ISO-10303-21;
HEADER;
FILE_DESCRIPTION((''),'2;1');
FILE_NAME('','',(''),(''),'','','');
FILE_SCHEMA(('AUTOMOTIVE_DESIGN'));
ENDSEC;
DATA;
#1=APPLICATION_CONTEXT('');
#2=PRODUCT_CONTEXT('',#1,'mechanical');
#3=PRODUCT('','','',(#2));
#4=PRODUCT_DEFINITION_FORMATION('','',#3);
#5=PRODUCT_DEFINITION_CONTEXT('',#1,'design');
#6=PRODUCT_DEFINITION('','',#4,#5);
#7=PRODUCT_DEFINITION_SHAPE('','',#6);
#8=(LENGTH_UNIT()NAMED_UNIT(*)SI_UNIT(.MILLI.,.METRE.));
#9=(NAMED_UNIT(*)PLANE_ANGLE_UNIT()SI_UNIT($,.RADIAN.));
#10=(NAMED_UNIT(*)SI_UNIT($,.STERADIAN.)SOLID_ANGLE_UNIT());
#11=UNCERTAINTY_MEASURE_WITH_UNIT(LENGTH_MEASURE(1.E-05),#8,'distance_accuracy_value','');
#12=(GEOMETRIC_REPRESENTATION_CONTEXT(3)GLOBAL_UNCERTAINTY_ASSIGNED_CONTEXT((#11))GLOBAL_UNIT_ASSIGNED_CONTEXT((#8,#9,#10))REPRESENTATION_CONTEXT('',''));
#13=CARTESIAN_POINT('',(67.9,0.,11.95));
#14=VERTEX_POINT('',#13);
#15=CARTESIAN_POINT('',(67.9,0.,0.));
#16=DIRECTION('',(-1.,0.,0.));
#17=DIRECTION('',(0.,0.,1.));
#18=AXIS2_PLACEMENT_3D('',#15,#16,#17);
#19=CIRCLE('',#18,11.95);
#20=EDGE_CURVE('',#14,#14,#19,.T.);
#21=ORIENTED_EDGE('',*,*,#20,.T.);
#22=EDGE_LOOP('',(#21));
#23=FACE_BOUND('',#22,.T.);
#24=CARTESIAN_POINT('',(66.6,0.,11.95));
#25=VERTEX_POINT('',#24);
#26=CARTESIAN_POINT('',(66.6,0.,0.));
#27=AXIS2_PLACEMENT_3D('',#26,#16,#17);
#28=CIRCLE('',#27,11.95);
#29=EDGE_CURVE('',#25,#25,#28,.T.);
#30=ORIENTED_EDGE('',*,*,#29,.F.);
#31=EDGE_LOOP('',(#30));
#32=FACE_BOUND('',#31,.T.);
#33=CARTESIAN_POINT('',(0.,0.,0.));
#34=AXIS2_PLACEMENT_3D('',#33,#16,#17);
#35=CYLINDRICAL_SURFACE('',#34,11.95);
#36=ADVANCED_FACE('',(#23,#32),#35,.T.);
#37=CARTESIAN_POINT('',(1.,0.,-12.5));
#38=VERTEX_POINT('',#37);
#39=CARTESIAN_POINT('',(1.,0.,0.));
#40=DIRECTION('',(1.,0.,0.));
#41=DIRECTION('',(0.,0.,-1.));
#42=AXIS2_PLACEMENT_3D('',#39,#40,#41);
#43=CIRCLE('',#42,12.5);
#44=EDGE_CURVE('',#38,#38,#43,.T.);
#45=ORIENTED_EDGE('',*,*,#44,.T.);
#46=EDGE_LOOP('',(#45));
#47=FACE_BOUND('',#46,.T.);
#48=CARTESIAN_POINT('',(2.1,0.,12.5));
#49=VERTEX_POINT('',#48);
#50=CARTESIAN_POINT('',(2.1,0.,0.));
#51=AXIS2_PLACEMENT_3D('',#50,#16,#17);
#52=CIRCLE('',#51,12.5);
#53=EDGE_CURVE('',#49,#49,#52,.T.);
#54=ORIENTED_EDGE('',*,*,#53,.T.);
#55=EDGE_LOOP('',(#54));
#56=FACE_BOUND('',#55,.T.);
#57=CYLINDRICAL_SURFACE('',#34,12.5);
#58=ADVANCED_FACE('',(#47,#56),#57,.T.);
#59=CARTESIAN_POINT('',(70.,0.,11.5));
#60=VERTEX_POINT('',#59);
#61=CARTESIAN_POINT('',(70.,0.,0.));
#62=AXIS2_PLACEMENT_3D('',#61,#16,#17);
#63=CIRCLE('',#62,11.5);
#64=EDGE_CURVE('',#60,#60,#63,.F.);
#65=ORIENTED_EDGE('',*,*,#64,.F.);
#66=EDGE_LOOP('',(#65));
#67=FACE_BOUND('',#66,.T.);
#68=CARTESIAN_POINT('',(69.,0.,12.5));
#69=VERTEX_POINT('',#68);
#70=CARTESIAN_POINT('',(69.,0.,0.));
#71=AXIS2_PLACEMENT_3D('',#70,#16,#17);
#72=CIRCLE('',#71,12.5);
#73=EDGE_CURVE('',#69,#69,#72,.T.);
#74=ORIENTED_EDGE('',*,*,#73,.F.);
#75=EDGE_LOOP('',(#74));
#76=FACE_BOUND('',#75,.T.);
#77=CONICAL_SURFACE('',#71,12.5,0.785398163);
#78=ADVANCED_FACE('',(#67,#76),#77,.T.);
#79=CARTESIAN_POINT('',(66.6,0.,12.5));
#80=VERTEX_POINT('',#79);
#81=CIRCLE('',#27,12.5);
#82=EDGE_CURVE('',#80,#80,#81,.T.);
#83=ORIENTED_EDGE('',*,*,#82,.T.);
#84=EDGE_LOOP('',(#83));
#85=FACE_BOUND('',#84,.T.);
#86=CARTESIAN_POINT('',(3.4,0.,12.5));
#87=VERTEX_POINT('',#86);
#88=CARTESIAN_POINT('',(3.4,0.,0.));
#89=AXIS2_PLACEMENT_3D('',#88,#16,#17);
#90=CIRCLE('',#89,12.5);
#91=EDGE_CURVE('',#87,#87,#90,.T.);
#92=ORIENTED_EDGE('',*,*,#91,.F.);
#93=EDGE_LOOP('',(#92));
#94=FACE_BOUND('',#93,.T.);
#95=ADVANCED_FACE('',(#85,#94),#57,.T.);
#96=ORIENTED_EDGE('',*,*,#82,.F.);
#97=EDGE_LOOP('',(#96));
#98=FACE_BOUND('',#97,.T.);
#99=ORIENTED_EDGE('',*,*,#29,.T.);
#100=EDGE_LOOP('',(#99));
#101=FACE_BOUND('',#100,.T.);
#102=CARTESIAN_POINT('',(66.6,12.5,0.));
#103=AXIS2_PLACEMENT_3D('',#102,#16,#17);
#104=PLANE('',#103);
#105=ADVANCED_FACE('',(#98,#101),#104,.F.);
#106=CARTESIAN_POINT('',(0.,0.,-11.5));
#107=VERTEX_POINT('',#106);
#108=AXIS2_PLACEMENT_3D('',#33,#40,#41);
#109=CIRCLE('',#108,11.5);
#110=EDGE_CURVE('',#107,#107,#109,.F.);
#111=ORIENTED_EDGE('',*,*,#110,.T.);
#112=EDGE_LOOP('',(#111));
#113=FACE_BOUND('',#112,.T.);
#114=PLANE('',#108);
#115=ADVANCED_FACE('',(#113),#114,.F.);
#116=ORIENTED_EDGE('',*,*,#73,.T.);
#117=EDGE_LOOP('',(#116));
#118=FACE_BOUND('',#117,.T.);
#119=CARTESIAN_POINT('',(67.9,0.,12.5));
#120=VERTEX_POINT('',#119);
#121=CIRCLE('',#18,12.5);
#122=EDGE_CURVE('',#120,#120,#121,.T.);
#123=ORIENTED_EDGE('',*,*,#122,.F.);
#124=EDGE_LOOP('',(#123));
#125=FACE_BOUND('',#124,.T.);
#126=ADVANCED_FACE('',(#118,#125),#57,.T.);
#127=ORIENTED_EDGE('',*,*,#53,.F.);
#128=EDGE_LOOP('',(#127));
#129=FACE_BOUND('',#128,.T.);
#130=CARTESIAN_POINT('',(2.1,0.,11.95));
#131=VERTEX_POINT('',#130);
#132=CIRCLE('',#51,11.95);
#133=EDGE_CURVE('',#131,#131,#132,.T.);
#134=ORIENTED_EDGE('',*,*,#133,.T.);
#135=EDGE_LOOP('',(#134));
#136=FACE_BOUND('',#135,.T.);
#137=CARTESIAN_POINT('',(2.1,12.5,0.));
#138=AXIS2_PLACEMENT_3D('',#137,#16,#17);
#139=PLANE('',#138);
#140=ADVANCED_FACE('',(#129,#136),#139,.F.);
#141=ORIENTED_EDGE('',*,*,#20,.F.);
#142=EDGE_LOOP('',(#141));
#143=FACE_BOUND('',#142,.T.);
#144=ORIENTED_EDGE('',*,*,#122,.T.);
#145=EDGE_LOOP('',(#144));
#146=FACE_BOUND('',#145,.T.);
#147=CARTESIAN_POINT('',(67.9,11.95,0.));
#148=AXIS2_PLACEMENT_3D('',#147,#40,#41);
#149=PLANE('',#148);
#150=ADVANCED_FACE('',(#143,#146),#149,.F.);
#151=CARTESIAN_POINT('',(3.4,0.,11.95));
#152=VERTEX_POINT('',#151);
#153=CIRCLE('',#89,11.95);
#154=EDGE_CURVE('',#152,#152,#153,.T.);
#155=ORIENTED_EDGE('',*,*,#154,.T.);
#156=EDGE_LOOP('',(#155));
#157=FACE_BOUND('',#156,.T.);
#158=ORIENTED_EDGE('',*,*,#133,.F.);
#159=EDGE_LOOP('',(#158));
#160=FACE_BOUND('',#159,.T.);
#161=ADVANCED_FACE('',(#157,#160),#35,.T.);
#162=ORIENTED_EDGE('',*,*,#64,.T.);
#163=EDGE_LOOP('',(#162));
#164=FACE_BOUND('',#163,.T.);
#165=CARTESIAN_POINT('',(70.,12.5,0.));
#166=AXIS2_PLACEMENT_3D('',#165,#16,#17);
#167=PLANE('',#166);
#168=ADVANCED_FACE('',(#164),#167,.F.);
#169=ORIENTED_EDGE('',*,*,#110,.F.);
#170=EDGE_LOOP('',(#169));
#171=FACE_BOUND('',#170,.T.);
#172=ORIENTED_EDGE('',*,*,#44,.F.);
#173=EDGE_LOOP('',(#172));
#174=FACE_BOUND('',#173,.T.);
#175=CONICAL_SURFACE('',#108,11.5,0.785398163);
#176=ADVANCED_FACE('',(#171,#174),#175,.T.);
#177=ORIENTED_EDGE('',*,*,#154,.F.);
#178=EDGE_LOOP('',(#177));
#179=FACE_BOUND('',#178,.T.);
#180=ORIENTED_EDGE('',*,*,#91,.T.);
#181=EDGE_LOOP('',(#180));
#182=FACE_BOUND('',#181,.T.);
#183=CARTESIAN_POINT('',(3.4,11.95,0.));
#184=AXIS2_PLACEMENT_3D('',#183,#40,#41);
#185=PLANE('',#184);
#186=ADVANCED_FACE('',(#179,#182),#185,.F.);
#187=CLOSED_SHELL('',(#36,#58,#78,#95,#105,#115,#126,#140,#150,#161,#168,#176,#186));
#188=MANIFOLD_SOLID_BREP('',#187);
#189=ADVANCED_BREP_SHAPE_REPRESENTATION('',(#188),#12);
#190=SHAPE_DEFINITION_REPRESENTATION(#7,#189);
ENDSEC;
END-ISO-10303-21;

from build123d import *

# Parameters (mm, degrees)
CHAMFER_1_SIZE = 1


with BuildPart() as part:
    # 草图1 → 旋转1 (revolve)
    with BuildSketch(Plane.XY, mode=Mode.PRIVATE) as revolve_1_sk:
        Polygon((0, 0), (0, 12.5), (2.1, 12.5), (2.1, 11.95), (3.4, 11.95), (3.4, 12.5), (66.6, 12.5), (66.6, 11.95), (67.9, 11.95), (67.9, 12.5), (70, 12.5), (70, 0), align=None)
    revolve(revolve_1_sk.sketch.rotate(Axis((0, 0, 0), (1, 0, 0)), 90), axis=Axis((0, 0, 0), (1, 0, 0)))

    # 倒角1
    chamfer_1_edges = [part.edges().sort_by_distance(p)[0] for p in [
        (0, 0, -12.5),
        (70, 0, -12.5),
    ]]
    chamfer(chamfer_1_edges, length=CHAMFER_1_SIZE)


solid = part.part
